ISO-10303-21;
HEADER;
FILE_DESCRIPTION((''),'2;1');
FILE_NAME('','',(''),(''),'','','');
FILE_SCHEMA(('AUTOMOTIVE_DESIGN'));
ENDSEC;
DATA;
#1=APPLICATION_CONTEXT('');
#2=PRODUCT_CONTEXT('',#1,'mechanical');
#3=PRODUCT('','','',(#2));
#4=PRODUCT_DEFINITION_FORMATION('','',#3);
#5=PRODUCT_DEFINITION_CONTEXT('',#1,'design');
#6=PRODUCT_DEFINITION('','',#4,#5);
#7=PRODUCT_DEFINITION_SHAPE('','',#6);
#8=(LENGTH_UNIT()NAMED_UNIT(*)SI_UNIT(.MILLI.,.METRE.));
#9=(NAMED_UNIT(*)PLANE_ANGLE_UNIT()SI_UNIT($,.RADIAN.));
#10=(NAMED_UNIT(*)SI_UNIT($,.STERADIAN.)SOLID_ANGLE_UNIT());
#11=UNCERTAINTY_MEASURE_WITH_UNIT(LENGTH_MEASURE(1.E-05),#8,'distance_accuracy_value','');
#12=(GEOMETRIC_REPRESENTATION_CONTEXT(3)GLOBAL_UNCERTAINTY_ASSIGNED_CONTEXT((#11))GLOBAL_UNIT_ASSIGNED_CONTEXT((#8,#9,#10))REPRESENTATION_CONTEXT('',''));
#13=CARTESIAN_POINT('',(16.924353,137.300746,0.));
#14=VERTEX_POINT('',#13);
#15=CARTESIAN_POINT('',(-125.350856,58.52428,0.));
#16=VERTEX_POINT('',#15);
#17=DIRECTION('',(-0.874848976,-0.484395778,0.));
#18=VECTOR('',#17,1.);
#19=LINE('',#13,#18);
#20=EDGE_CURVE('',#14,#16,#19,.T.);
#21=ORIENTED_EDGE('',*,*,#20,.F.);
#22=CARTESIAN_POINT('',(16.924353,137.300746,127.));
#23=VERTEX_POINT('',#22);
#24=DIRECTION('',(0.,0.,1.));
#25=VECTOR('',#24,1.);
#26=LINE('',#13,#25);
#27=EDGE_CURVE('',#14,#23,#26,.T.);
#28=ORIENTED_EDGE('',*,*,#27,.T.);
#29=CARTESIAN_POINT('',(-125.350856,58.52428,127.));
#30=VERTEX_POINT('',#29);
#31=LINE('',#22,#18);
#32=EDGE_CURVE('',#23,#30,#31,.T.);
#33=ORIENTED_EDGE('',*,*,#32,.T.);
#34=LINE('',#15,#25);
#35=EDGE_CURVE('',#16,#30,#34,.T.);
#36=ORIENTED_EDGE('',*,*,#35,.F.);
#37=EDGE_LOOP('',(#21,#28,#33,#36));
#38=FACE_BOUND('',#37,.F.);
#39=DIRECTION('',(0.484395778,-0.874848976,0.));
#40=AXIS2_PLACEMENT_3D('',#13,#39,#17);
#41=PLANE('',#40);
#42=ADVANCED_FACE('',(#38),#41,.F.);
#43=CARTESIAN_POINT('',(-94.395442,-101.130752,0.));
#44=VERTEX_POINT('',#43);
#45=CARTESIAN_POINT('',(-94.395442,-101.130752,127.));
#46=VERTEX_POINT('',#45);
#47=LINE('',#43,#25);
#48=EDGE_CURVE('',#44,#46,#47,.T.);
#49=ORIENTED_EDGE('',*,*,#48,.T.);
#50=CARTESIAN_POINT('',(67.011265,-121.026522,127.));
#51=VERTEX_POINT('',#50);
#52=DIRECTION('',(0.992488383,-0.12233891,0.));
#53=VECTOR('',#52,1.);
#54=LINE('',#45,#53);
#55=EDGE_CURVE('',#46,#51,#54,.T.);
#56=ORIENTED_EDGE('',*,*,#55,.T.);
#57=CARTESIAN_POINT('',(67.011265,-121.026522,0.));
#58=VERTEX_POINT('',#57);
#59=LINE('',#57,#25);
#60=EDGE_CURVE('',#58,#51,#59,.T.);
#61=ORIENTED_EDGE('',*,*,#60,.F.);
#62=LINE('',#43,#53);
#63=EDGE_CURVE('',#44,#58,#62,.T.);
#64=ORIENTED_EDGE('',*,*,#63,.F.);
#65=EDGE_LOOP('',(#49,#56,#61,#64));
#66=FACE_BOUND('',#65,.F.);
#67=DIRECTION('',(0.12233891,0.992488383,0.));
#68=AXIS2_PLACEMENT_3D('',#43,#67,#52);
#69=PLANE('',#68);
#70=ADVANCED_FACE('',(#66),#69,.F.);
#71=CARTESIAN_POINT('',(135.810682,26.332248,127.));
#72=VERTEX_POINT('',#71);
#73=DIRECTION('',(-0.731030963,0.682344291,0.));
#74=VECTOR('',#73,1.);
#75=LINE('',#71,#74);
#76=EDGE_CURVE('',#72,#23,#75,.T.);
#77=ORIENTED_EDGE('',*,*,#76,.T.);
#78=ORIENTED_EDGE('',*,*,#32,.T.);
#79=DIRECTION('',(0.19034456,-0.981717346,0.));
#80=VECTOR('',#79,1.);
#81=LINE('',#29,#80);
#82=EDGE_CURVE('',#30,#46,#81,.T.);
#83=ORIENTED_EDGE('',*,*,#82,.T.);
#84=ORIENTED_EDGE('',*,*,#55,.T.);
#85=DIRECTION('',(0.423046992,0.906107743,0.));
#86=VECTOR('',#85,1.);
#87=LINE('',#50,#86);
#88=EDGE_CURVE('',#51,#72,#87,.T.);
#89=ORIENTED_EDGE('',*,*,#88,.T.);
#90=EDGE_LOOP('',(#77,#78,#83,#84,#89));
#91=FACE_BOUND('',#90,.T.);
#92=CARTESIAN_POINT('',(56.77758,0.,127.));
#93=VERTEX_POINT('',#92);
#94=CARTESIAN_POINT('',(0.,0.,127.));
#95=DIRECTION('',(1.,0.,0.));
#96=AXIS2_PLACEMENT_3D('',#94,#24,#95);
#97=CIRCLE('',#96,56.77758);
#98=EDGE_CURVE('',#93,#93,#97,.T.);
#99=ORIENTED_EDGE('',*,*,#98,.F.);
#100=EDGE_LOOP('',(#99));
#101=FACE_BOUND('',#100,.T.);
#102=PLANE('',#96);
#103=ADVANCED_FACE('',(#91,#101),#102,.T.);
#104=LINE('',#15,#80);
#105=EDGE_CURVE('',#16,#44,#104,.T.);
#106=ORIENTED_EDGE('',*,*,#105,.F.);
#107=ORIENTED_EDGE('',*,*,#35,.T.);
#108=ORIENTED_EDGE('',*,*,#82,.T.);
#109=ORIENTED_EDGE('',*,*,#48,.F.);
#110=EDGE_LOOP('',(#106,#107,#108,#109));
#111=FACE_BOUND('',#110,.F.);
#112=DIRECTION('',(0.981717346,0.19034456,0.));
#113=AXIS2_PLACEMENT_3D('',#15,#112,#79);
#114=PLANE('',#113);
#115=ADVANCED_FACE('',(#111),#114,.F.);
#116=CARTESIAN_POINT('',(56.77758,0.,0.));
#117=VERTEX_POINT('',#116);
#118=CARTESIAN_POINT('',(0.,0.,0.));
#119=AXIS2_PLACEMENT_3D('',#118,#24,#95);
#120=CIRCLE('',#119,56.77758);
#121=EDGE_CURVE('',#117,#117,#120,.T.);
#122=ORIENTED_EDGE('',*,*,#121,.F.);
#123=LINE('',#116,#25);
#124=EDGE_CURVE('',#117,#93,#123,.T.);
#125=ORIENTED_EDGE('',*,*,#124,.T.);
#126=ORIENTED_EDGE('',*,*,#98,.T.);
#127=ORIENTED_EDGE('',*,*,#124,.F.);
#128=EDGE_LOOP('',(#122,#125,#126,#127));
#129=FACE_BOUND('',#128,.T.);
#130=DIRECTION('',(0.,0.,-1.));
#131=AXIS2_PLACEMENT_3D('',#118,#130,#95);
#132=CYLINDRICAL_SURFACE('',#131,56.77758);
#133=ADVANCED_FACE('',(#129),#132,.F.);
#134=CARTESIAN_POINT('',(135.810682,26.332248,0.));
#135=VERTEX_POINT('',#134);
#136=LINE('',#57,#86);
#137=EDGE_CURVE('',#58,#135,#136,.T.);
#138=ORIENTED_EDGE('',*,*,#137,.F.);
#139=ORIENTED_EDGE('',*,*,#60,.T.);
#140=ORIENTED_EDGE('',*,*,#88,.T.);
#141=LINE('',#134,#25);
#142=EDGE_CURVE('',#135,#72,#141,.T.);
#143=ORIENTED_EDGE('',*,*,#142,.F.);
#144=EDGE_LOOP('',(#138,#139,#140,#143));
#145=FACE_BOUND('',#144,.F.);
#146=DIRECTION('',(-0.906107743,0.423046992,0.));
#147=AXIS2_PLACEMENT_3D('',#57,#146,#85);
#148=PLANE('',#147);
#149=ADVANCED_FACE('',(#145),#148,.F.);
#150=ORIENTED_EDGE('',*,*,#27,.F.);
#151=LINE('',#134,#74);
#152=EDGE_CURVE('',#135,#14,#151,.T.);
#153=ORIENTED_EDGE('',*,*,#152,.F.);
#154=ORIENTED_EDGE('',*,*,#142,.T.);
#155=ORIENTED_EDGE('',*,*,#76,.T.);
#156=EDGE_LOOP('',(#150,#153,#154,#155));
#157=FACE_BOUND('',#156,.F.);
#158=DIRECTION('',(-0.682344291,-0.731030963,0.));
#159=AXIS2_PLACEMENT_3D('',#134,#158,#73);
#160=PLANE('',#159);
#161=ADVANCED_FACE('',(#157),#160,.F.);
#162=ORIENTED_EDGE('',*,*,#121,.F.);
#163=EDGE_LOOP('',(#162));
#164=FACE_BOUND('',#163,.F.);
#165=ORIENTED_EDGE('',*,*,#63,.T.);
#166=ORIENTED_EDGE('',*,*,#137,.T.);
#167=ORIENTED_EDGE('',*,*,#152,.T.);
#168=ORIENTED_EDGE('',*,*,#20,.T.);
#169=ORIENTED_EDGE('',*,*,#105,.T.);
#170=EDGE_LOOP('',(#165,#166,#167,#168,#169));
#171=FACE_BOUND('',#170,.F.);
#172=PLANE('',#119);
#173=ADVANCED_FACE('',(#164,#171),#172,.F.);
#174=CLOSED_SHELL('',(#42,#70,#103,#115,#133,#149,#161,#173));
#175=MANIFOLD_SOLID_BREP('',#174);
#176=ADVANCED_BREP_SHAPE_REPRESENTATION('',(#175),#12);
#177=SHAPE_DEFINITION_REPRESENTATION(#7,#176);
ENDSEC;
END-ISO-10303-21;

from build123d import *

# Parameters (mm, degrees)
F0_R     = 56.77758
F1_DEPTH = 127


with BuildPart() as f1:
    # F0 (on Top) → F1 (new body)
    with BuildSketch(Plane.XY):
        Polygon((16.924353, 137.300746), (-125.350856, 58.52428), (-94.395442, -101.130752), (67.011265, -121.026522), (135.810682, 26.332248), align=None)
        Circle(F0_R, mode=Mode.SUBTRACT)
    extrude(amount=F1_DEPTH)


solid = f1.part
